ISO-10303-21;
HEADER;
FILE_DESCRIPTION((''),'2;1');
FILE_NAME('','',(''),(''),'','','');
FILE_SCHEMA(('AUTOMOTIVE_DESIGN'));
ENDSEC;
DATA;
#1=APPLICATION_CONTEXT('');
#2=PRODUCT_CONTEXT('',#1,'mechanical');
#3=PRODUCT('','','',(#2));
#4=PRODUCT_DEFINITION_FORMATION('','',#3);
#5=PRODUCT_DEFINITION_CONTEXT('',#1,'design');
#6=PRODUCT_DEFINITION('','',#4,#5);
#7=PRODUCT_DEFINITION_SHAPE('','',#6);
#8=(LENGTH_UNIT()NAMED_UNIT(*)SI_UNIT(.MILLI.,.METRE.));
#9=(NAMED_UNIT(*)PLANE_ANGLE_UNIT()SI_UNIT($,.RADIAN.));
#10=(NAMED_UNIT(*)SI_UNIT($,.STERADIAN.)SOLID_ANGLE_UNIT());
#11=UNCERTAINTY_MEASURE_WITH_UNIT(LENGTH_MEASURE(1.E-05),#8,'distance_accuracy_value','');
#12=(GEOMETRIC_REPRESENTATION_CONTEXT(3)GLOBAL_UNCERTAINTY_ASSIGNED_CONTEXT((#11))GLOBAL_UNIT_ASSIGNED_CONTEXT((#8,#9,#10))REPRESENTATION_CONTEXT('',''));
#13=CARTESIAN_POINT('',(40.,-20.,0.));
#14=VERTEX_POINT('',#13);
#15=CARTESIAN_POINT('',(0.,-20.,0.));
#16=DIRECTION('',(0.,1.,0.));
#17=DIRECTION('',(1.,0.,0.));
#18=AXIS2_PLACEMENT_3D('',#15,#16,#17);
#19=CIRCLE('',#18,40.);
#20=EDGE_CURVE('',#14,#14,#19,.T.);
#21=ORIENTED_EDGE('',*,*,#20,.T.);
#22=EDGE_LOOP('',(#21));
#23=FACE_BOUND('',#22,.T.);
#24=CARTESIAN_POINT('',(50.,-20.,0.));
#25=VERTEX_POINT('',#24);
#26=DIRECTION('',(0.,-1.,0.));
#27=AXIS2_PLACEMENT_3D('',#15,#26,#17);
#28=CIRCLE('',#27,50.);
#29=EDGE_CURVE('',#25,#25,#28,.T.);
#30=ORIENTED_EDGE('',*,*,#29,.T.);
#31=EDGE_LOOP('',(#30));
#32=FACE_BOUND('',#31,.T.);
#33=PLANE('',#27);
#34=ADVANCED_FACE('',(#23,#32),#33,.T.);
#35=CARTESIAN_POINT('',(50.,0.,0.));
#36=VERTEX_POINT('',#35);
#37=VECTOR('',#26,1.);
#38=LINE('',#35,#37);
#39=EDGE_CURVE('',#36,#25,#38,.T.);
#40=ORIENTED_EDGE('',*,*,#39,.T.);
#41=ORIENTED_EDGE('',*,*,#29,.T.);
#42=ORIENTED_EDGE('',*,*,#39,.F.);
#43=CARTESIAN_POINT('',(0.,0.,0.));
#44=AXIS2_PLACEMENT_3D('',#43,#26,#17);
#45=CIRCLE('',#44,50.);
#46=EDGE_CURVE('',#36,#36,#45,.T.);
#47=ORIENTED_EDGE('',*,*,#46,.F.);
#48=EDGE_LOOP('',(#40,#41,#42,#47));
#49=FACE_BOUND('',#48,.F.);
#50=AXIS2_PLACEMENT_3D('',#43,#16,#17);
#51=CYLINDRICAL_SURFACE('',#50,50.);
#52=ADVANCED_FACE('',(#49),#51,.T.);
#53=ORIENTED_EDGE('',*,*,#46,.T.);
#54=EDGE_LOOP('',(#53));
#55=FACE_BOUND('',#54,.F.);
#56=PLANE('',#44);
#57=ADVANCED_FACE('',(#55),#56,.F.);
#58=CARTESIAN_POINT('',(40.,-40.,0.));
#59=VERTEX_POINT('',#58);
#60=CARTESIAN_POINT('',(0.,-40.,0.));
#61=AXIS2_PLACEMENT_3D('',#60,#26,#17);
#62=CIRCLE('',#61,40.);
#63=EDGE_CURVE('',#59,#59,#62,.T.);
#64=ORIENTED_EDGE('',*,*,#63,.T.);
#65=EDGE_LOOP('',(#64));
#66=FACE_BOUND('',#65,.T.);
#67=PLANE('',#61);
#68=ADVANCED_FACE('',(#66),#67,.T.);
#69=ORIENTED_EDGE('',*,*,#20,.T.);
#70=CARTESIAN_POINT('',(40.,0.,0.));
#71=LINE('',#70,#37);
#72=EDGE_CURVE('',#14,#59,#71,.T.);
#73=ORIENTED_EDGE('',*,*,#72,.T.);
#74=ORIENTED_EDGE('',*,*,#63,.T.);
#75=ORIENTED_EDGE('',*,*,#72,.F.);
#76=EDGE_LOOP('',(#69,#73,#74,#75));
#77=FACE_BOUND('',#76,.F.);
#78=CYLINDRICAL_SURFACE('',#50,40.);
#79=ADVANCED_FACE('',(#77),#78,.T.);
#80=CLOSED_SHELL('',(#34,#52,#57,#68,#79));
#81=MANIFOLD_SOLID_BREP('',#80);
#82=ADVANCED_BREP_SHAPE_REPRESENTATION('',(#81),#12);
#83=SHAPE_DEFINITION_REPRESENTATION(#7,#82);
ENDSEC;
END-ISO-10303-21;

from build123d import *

# Parameters (mm, degrees)
F0_R     = 50
F0_R_2   = 40
F1_DEPTH = 20
F2_DEPTH = 40


with BuildPart() as f1:
    # F0 (on Front) → F1 (new body)
    with BuildSketch(Plane.XZ):
        Circle(F0_R)
        Circle(F0_R_2, mode=Mode.SUBTRACT)
        Circle(F0_R_2)
    extrude(amount=F1_DEPTH)

    # F0 (on Front) → F2 (join)
    with BuildSketch(Plane.XZ):
        Circle(F0_R_2)
    extrude(amount=F2_DEPTH)


solid = f1.part
